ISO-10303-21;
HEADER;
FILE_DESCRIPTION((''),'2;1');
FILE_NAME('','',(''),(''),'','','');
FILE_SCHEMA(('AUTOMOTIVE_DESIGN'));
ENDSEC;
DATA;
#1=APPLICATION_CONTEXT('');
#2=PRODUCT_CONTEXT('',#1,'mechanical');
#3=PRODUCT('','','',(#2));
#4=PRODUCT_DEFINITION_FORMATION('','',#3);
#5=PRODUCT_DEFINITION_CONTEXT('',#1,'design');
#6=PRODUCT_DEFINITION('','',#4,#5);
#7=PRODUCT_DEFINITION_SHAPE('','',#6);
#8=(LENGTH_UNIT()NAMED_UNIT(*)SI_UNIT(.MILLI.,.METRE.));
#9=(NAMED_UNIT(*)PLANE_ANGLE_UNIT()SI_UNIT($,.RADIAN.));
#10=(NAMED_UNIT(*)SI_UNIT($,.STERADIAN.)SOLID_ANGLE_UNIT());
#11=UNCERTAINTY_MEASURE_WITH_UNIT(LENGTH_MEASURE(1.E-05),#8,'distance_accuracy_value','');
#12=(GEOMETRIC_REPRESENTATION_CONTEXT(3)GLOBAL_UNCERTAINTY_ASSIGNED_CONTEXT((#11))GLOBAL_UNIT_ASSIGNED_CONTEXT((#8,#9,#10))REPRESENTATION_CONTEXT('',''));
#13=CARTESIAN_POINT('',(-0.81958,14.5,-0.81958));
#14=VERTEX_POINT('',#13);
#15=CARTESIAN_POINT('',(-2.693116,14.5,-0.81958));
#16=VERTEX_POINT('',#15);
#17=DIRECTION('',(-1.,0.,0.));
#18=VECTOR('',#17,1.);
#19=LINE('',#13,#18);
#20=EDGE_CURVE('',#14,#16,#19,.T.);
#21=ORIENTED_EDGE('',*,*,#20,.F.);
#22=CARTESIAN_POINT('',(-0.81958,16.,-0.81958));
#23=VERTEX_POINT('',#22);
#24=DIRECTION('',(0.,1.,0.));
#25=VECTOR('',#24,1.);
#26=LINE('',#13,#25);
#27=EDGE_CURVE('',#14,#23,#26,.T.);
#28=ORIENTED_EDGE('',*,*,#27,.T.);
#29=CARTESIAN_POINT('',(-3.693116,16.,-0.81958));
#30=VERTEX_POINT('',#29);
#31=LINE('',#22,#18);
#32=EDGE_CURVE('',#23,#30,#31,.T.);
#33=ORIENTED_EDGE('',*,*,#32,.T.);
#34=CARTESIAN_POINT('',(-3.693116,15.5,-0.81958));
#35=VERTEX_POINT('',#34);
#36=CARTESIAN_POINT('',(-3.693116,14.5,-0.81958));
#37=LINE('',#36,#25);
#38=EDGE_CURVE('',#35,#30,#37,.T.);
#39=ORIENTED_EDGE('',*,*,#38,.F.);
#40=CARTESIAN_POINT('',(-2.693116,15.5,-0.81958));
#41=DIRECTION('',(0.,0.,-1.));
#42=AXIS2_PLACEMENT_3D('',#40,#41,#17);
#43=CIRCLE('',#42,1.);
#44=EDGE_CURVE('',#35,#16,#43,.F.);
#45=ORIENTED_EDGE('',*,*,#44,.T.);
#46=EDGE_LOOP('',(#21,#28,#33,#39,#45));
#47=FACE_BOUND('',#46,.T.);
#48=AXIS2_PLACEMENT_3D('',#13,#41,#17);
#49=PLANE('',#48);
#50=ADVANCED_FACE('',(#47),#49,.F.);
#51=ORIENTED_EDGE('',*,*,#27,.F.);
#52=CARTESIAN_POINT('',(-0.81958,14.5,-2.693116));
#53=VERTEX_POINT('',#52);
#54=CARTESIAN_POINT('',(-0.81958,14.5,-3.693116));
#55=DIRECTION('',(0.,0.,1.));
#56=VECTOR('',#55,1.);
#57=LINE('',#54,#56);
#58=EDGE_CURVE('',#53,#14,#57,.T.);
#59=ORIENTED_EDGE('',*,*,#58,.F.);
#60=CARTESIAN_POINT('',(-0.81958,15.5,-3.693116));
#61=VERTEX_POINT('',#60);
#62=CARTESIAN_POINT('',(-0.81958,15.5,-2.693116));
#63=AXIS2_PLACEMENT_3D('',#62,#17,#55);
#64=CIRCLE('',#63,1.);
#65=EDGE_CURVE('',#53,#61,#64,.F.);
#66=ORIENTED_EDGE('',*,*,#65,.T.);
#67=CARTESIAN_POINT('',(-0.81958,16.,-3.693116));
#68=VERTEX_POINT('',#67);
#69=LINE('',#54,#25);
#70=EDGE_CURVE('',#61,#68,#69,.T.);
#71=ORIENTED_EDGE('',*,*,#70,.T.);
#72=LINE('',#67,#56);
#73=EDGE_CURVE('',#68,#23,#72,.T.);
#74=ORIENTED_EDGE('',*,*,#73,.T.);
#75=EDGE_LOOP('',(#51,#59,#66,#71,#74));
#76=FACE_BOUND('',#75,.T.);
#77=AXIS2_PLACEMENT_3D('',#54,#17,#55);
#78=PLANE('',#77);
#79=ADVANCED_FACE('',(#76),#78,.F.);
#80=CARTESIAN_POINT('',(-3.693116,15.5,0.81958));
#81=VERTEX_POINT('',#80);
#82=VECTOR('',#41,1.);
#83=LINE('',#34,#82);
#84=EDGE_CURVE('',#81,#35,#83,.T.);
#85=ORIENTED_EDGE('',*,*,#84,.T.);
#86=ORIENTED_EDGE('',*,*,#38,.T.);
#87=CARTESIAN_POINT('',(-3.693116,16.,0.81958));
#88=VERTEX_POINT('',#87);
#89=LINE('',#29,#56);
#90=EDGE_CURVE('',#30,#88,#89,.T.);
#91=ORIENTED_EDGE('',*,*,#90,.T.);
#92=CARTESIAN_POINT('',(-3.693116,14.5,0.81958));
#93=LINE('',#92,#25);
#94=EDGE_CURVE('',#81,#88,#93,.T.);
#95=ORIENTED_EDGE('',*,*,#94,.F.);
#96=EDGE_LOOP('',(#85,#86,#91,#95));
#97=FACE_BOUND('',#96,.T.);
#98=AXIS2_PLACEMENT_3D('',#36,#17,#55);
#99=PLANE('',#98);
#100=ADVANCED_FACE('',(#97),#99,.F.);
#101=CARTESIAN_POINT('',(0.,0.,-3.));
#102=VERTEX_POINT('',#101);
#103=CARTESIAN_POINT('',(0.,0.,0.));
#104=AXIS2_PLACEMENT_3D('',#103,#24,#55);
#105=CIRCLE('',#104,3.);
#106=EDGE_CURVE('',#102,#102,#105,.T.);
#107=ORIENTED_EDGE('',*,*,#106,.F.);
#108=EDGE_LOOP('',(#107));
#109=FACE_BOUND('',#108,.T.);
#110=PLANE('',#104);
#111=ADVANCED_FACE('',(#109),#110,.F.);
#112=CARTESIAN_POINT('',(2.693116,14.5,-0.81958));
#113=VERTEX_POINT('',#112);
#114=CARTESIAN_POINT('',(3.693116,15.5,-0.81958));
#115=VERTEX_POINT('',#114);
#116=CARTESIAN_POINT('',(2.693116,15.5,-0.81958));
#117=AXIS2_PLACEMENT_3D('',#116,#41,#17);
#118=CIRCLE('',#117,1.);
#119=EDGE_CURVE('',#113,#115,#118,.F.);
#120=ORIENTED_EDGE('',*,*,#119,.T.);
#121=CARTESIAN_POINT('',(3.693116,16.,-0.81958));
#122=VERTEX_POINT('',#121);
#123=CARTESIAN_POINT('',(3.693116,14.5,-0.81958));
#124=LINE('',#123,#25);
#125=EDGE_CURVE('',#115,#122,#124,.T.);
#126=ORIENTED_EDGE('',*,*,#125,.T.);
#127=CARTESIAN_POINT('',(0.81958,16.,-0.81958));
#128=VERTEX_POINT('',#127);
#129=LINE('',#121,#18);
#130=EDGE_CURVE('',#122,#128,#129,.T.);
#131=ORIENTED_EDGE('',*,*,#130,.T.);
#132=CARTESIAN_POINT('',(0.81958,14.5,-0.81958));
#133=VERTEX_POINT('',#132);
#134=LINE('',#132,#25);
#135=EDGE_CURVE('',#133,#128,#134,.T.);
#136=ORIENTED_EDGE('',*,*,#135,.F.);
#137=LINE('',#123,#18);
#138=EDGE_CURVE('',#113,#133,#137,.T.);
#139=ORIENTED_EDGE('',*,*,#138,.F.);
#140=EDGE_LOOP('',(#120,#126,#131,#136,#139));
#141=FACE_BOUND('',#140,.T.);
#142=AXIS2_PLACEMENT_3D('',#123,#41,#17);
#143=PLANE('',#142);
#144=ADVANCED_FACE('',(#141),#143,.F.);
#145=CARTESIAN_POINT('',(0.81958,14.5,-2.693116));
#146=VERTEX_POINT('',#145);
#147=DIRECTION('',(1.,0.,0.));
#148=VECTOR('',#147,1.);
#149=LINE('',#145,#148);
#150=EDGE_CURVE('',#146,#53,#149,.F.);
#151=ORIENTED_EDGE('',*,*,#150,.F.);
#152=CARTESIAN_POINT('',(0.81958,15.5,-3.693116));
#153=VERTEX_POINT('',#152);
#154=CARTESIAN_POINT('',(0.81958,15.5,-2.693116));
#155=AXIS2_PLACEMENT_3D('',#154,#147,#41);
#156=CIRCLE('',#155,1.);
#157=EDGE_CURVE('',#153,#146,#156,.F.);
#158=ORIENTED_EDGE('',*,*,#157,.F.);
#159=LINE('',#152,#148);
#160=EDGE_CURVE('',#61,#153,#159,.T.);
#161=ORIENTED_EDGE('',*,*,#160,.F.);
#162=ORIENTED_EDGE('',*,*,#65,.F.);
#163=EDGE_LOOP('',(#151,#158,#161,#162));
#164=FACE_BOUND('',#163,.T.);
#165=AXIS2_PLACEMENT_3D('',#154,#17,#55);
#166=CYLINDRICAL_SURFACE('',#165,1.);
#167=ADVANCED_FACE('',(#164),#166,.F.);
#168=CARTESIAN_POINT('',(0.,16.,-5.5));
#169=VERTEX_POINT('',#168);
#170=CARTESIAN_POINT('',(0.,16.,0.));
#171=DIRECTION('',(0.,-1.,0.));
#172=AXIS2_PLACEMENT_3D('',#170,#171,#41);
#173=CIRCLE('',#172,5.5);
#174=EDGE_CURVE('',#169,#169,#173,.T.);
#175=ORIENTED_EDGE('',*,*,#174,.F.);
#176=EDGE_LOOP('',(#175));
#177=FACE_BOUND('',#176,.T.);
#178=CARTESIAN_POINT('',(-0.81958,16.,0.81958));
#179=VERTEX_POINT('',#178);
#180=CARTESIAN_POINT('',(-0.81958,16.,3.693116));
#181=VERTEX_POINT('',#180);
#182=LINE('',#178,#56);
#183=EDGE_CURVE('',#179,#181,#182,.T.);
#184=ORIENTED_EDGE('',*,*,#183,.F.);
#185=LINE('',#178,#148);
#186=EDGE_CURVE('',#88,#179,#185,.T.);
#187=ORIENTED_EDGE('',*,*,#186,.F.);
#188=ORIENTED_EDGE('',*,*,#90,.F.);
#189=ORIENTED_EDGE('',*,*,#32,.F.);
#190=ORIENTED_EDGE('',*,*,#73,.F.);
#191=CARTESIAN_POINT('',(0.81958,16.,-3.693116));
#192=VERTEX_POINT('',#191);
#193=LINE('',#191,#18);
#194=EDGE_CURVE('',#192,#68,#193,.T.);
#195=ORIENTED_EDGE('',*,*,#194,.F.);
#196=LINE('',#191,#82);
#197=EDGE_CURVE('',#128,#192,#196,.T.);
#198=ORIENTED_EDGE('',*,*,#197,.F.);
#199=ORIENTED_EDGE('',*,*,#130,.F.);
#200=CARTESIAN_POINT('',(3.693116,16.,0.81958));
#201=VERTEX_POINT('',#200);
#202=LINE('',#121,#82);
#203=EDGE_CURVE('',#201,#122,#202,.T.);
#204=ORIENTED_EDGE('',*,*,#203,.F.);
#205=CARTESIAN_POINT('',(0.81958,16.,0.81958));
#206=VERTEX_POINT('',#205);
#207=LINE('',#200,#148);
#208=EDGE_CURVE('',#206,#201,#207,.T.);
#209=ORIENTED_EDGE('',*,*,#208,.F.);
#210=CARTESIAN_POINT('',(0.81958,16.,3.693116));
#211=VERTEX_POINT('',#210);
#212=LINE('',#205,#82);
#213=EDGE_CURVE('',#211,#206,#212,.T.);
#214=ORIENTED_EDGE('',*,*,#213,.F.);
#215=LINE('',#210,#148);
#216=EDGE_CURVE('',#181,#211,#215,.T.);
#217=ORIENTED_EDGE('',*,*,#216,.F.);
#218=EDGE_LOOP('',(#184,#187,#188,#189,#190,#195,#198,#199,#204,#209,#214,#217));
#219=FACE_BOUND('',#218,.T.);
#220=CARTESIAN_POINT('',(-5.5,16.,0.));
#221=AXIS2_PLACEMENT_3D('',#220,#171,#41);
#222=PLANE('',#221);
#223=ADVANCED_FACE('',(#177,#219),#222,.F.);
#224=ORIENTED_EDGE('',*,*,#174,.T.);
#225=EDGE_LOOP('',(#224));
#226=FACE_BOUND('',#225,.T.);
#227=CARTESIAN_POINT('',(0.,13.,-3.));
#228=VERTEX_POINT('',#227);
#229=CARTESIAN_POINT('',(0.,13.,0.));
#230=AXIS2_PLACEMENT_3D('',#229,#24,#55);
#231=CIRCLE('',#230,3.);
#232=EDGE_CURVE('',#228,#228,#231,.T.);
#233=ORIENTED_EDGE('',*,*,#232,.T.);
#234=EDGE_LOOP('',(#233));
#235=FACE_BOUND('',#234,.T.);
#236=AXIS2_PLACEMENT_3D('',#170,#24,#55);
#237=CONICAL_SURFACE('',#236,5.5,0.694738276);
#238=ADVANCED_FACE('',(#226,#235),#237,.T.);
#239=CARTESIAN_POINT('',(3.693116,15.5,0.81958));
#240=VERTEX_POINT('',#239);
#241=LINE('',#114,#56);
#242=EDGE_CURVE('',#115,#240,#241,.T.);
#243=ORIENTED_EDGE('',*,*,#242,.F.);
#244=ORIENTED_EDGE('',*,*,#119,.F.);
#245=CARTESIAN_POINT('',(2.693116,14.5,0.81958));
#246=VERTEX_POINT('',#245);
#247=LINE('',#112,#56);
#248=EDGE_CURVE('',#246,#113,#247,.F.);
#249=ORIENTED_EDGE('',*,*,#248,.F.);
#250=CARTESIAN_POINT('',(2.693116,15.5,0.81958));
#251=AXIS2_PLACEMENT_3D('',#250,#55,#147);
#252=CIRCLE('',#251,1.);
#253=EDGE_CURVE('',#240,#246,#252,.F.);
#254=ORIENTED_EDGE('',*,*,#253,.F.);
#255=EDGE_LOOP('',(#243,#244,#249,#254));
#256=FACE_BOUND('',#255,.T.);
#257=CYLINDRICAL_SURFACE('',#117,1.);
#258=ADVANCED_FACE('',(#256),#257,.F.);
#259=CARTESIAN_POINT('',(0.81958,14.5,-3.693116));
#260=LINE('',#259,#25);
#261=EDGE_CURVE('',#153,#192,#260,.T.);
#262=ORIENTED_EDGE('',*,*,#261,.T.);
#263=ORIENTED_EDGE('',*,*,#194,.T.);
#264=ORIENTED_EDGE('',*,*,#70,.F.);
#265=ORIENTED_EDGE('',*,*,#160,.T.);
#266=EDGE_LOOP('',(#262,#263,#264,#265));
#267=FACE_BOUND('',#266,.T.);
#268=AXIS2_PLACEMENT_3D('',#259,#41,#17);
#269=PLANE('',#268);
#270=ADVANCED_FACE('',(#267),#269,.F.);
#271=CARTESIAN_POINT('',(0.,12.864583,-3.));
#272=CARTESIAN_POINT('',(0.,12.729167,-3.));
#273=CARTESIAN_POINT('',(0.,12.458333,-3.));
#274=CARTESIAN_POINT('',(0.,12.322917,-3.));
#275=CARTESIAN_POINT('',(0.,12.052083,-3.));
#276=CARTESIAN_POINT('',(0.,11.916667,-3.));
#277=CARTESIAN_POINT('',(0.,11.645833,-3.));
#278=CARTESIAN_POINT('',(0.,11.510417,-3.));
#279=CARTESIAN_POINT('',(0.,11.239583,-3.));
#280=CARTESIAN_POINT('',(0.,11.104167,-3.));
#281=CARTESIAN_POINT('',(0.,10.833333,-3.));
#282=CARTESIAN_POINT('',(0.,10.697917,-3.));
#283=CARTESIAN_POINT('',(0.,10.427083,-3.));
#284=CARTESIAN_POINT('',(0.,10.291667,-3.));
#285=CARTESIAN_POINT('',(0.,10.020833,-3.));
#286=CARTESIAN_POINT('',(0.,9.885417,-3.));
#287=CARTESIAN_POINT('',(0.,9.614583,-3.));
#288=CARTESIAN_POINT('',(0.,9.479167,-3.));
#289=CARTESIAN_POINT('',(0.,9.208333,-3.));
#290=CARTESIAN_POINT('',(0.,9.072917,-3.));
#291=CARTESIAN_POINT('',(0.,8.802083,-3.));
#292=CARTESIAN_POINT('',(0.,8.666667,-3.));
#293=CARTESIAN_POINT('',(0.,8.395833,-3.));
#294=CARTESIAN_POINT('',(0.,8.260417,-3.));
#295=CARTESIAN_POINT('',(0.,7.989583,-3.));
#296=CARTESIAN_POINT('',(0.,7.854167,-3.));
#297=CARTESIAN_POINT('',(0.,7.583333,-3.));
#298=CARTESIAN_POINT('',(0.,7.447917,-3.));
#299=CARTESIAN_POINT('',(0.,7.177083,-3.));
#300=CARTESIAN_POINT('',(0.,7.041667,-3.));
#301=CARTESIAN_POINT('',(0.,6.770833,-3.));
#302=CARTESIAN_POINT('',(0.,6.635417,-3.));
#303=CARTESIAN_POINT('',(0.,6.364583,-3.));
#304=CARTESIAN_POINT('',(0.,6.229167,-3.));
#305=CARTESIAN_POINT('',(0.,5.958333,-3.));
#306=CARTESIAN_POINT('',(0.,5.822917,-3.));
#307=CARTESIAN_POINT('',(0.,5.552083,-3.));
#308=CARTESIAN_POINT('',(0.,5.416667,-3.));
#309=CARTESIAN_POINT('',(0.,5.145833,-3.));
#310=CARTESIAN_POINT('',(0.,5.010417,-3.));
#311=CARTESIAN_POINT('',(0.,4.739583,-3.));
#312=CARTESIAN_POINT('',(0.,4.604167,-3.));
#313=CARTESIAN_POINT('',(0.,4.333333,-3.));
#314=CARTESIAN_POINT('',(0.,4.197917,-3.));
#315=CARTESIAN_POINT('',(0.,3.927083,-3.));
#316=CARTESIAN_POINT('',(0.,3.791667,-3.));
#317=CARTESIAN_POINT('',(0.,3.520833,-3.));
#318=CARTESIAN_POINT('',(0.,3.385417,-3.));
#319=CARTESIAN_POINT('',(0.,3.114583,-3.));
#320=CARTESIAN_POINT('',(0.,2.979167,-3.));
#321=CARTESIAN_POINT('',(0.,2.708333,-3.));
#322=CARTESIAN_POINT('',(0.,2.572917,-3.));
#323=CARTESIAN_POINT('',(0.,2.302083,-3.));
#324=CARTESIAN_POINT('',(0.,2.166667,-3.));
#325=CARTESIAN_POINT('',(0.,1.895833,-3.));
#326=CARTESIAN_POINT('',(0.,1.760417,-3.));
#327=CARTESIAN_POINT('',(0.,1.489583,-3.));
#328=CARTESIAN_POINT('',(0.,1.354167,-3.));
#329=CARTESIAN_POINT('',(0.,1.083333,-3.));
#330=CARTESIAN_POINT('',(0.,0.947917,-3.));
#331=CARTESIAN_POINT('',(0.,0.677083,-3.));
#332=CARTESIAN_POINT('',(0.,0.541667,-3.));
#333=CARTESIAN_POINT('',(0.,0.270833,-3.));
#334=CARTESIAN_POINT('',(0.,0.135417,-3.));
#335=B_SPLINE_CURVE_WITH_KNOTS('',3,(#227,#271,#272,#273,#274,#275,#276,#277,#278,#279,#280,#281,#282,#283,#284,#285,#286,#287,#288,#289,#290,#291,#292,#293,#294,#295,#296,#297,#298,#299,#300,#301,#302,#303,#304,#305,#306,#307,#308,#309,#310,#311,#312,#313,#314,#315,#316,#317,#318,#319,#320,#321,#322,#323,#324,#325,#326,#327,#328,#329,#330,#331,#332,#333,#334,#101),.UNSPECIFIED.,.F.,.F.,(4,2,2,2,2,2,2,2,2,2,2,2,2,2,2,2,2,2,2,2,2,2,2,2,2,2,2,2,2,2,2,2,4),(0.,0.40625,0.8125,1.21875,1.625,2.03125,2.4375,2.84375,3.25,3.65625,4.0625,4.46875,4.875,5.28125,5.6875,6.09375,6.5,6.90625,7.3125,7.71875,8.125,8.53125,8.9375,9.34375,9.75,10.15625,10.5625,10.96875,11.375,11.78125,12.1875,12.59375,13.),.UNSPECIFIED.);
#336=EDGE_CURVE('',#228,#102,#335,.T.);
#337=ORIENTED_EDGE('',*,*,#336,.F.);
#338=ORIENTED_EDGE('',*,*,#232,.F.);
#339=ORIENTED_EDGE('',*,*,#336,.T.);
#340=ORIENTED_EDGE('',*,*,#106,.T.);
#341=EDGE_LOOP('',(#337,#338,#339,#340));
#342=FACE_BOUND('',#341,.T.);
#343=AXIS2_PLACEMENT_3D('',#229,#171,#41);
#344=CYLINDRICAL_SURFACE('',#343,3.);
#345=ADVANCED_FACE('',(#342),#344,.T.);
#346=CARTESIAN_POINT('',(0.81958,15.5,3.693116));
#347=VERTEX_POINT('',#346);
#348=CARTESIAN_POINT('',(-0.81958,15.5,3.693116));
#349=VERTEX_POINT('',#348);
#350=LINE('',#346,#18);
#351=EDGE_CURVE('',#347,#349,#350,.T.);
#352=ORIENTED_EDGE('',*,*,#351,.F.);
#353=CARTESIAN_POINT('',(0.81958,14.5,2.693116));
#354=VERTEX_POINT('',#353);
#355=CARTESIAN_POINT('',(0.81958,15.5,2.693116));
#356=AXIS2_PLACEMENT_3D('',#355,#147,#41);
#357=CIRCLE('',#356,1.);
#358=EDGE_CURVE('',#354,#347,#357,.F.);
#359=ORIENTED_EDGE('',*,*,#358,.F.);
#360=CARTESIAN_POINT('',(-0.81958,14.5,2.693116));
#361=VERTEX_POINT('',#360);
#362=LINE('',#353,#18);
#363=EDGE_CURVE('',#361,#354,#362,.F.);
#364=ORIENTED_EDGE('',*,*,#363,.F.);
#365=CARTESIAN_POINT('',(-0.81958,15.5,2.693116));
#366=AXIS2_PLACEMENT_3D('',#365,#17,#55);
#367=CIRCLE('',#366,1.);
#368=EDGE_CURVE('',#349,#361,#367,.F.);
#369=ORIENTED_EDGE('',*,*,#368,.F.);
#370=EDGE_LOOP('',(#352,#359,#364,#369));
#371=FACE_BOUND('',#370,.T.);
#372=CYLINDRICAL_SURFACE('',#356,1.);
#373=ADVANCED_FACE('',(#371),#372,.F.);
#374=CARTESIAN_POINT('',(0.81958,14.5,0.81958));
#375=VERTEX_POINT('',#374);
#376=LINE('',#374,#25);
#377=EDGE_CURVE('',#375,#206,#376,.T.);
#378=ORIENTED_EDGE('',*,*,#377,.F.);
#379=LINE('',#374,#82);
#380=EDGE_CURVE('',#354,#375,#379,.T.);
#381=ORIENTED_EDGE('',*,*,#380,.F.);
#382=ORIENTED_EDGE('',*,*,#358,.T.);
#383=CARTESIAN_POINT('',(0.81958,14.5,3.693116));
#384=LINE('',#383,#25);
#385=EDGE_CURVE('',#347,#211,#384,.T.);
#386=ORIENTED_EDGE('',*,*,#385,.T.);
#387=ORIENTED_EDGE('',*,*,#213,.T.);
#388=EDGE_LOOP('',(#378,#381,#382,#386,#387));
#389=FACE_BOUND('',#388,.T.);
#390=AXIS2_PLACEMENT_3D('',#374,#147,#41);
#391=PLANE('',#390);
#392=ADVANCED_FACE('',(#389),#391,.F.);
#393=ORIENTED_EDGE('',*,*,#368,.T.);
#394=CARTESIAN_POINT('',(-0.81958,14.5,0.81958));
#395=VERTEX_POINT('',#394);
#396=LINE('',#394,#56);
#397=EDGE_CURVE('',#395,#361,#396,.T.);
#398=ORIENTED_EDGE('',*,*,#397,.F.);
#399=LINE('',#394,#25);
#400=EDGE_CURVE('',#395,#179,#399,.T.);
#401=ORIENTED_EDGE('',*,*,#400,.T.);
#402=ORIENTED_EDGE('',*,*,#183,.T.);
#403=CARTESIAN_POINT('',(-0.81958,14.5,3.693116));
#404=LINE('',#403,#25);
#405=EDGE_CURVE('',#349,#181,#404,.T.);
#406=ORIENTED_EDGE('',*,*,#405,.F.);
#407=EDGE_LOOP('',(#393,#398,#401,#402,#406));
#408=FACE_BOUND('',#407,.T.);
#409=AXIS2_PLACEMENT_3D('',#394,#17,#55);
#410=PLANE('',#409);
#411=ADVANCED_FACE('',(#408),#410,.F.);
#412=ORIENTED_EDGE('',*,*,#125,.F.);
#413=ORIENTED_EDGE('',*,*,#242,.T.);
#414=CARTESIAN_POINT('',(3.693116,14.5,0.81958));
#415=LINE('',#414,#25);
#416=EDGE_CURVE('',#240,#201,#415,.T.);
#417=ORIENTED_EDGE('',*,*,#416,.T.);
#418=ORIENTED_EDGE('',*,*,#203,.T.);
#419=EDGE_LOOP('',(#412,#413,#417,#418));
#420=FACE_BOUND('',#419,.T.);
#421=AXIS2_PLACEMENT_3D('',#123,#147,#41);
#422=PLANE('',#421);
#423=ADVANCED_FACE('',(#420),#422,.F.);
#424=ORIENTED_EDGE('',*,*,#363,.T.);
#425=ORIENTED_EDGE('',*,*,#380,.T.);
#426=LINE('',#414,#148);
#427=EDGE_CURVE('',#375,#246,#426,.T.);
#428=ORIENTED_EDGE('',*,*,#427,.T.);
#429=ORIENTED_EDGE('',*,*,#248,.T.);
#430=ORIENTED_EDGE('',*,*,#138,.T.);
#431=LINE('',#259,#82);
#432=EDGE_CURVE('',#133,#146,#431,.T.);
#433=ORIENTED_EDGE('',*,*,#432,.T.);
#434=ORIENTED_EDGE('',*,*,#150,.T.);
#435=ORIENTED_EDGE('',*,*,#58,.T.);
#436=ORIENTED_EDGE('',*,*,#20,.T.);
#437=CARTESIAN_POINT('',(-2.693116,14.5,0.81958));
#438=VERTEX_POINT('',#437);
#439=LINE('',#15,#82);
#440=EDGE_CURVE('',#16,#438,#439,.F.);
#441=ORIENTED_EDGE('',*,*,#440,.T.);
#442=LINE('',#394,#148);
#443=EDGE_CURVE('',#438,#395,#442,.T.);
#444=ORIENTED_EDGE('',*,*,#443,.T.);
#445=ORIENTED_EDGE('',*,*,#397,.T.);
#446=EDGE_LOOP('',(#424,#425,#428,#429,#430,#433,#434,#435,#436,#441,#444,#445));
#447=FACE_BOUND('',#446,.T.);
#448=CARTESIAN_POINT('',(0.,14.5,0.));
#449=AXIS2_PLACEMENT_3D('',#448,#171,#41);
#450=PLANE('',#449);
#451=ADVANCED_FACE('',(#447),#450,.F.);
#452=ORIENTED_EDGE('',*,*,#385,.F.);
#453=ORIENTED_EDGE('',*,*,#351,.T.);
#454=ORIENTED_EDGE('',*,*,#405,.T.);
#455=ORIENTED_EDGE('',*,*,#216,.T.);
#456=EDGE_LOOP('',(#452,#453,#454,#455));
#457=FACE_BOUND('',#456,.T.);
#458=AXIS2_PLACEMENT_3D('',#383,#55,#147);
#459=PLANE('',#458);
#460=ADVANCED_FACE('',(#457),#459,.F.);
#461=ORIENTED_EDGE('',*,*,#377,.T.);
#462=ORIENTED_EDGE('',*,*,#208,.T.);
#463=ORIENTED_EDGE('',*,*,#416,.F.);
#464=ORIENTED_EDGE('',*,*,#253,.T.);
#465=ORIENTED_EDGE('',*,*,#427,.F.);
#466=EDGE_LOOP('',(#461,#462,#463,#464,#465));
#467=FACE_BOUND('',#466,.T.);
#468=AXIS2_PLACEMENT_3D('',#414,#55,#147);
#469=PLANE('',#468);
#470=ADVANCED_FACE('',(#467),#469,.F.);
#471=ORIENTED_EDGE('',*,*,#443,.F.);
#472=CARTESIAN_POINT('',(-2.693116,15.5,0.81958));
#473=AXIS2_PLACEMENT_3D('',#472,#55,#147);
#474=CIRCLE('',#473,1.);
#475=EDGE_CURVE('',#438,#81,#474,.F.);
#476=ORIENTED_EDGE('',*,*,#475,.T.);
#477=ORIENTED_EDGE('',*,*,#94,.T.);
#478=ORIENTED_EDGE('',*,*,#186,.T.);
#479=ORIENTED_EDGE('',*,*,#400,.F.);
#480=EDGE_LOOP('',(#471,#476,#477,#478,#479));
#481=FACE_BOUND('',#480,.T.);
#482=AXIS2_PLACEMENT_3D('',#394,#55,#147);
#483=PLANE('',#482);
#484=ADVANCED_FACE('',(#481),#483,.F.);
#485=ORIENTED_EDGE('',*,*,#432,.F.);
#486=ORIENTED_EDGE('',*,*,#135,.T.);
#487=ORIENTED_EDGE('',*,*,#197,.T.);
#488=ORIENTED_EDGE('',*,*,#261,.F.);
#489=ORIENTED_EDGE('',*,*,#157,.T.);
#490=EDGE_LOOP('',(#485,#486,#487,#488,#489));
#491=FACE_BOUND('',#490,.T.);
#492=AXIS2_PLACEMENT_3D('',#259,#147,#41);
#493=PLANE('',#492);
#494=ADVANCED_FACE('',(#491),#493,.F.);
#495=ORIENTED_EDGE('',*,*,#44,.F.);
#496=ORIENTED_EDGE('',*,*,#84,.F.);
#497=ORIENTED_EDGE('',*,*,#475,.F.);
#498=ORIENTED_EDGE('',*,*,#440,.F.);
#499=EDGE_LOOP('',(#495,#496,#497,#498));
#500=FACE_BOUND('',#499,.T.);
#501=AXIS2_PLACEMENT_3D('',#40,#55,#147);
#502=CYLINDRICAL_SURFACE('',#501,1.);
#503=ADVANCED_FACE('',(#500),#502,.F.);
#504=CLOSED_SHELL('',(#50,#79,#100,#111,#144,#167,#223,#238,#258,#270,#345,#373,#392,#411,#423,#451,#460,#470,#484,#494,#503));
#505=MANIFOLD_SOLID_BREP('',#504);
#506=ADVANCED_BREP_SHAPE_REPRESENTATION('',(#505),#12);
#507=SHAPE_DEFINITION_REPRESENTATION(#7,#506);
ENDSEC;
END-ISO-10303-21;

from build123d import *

# Parameters (mm, degrees)
SKETCH1_R           = 3
BOSS_EXTRUDE1_DEPTH = 13
CUT_EXTRUDE1_DEPTH  = 1.5
FILLET1_R           = 1
FILLET2_R           = 1
FILLET3_R           = 1
FILLET4_R           = 1


with BuildPart() as part:
    # Sketch1 → Boss-Extrude1 (new body)
    with BuildSketch(Plane(origin=(0, 0, 0), x_dir=(1, 0, 0), z_dir=(0, 1, 0))):
        with Locations(Location((0, 0, 0), (0, 0, 90))):
            Circle(SKETCH1_R)
    extrude(amount=BOSS_EXTRUDE1_DEPTH)

    # Sketch3 → Revolve2 (revolve)
    with BuildSketch(Plane.XY, mode=Mode.PRIVATE) as revolve2_sk:
        Polygon((0, 13), (0, 16), (-5.5, 16), (-3, 13), align=None)
    revolve(revolve2_sk.sketch.rotate(Axis((0, 13, 0), (0, 1, 0)), 270), axis=Axis((0, 13, 0), (0, 1, 0)))

    # Sketch4 → Cut-Extrude1 (cut)
    with BuildSketch(Plane(origin=(0, 16, 0), x_dir=(1, 0, 0), z_dir=(0, 1, 0))):
        Polygon((-0.819580165, 0.819580165), (-3.693115778, 0.819580165), (-3.693115778, -0.819580165), (-0.819580165, -0.819580165), (-0.819580165, -3.693115778), (0.819580165, -3.693115778), (0.819580165, -0.819580165), (3.693115778, -0.819580165), (3.693115778, 0.819580165), (0.819580165, 0.819580165), (0.819580165, 3.693115778), (-0.819580165, 3.693115778), align=None)
    extrude(amount=-CUT_EXTRUDE1_DEPTH, mode=Mode.SUBTRACT)

    # Fillet1
    fillet1_edges = [part.edges().sort_by_distance(p)[0] for p in [
        (0, 14.5, -3.693115778),
    ]]
    fillet(fillet1_edges, radius=FILLET1_R)

    # Fillet2
    fillet2_edges = [part.edges().sort_by_distance(p)[0] for p in [
        (3.693115778, 14.5, 0),
    ]]
    fillet(fillet2_edges, radius=FILLET2_R)

    # Fillet3
    fillet3_edges = [part.edges().sort_by_distance(p)[0] for p in [
        (0, 14.5, 3.693115778),
    ]]
    fillet(fillet3_edges, radius=FILLET3_R)

    # Fillet4
    fillet4_edges = [part.edges().sort_by_distance(p)[0] for p in [
        (-3.693115778, 14.5, 0),
    ]]
    fillet(fillet4_edges, radius=FILLET4_R)


solid = part.part
